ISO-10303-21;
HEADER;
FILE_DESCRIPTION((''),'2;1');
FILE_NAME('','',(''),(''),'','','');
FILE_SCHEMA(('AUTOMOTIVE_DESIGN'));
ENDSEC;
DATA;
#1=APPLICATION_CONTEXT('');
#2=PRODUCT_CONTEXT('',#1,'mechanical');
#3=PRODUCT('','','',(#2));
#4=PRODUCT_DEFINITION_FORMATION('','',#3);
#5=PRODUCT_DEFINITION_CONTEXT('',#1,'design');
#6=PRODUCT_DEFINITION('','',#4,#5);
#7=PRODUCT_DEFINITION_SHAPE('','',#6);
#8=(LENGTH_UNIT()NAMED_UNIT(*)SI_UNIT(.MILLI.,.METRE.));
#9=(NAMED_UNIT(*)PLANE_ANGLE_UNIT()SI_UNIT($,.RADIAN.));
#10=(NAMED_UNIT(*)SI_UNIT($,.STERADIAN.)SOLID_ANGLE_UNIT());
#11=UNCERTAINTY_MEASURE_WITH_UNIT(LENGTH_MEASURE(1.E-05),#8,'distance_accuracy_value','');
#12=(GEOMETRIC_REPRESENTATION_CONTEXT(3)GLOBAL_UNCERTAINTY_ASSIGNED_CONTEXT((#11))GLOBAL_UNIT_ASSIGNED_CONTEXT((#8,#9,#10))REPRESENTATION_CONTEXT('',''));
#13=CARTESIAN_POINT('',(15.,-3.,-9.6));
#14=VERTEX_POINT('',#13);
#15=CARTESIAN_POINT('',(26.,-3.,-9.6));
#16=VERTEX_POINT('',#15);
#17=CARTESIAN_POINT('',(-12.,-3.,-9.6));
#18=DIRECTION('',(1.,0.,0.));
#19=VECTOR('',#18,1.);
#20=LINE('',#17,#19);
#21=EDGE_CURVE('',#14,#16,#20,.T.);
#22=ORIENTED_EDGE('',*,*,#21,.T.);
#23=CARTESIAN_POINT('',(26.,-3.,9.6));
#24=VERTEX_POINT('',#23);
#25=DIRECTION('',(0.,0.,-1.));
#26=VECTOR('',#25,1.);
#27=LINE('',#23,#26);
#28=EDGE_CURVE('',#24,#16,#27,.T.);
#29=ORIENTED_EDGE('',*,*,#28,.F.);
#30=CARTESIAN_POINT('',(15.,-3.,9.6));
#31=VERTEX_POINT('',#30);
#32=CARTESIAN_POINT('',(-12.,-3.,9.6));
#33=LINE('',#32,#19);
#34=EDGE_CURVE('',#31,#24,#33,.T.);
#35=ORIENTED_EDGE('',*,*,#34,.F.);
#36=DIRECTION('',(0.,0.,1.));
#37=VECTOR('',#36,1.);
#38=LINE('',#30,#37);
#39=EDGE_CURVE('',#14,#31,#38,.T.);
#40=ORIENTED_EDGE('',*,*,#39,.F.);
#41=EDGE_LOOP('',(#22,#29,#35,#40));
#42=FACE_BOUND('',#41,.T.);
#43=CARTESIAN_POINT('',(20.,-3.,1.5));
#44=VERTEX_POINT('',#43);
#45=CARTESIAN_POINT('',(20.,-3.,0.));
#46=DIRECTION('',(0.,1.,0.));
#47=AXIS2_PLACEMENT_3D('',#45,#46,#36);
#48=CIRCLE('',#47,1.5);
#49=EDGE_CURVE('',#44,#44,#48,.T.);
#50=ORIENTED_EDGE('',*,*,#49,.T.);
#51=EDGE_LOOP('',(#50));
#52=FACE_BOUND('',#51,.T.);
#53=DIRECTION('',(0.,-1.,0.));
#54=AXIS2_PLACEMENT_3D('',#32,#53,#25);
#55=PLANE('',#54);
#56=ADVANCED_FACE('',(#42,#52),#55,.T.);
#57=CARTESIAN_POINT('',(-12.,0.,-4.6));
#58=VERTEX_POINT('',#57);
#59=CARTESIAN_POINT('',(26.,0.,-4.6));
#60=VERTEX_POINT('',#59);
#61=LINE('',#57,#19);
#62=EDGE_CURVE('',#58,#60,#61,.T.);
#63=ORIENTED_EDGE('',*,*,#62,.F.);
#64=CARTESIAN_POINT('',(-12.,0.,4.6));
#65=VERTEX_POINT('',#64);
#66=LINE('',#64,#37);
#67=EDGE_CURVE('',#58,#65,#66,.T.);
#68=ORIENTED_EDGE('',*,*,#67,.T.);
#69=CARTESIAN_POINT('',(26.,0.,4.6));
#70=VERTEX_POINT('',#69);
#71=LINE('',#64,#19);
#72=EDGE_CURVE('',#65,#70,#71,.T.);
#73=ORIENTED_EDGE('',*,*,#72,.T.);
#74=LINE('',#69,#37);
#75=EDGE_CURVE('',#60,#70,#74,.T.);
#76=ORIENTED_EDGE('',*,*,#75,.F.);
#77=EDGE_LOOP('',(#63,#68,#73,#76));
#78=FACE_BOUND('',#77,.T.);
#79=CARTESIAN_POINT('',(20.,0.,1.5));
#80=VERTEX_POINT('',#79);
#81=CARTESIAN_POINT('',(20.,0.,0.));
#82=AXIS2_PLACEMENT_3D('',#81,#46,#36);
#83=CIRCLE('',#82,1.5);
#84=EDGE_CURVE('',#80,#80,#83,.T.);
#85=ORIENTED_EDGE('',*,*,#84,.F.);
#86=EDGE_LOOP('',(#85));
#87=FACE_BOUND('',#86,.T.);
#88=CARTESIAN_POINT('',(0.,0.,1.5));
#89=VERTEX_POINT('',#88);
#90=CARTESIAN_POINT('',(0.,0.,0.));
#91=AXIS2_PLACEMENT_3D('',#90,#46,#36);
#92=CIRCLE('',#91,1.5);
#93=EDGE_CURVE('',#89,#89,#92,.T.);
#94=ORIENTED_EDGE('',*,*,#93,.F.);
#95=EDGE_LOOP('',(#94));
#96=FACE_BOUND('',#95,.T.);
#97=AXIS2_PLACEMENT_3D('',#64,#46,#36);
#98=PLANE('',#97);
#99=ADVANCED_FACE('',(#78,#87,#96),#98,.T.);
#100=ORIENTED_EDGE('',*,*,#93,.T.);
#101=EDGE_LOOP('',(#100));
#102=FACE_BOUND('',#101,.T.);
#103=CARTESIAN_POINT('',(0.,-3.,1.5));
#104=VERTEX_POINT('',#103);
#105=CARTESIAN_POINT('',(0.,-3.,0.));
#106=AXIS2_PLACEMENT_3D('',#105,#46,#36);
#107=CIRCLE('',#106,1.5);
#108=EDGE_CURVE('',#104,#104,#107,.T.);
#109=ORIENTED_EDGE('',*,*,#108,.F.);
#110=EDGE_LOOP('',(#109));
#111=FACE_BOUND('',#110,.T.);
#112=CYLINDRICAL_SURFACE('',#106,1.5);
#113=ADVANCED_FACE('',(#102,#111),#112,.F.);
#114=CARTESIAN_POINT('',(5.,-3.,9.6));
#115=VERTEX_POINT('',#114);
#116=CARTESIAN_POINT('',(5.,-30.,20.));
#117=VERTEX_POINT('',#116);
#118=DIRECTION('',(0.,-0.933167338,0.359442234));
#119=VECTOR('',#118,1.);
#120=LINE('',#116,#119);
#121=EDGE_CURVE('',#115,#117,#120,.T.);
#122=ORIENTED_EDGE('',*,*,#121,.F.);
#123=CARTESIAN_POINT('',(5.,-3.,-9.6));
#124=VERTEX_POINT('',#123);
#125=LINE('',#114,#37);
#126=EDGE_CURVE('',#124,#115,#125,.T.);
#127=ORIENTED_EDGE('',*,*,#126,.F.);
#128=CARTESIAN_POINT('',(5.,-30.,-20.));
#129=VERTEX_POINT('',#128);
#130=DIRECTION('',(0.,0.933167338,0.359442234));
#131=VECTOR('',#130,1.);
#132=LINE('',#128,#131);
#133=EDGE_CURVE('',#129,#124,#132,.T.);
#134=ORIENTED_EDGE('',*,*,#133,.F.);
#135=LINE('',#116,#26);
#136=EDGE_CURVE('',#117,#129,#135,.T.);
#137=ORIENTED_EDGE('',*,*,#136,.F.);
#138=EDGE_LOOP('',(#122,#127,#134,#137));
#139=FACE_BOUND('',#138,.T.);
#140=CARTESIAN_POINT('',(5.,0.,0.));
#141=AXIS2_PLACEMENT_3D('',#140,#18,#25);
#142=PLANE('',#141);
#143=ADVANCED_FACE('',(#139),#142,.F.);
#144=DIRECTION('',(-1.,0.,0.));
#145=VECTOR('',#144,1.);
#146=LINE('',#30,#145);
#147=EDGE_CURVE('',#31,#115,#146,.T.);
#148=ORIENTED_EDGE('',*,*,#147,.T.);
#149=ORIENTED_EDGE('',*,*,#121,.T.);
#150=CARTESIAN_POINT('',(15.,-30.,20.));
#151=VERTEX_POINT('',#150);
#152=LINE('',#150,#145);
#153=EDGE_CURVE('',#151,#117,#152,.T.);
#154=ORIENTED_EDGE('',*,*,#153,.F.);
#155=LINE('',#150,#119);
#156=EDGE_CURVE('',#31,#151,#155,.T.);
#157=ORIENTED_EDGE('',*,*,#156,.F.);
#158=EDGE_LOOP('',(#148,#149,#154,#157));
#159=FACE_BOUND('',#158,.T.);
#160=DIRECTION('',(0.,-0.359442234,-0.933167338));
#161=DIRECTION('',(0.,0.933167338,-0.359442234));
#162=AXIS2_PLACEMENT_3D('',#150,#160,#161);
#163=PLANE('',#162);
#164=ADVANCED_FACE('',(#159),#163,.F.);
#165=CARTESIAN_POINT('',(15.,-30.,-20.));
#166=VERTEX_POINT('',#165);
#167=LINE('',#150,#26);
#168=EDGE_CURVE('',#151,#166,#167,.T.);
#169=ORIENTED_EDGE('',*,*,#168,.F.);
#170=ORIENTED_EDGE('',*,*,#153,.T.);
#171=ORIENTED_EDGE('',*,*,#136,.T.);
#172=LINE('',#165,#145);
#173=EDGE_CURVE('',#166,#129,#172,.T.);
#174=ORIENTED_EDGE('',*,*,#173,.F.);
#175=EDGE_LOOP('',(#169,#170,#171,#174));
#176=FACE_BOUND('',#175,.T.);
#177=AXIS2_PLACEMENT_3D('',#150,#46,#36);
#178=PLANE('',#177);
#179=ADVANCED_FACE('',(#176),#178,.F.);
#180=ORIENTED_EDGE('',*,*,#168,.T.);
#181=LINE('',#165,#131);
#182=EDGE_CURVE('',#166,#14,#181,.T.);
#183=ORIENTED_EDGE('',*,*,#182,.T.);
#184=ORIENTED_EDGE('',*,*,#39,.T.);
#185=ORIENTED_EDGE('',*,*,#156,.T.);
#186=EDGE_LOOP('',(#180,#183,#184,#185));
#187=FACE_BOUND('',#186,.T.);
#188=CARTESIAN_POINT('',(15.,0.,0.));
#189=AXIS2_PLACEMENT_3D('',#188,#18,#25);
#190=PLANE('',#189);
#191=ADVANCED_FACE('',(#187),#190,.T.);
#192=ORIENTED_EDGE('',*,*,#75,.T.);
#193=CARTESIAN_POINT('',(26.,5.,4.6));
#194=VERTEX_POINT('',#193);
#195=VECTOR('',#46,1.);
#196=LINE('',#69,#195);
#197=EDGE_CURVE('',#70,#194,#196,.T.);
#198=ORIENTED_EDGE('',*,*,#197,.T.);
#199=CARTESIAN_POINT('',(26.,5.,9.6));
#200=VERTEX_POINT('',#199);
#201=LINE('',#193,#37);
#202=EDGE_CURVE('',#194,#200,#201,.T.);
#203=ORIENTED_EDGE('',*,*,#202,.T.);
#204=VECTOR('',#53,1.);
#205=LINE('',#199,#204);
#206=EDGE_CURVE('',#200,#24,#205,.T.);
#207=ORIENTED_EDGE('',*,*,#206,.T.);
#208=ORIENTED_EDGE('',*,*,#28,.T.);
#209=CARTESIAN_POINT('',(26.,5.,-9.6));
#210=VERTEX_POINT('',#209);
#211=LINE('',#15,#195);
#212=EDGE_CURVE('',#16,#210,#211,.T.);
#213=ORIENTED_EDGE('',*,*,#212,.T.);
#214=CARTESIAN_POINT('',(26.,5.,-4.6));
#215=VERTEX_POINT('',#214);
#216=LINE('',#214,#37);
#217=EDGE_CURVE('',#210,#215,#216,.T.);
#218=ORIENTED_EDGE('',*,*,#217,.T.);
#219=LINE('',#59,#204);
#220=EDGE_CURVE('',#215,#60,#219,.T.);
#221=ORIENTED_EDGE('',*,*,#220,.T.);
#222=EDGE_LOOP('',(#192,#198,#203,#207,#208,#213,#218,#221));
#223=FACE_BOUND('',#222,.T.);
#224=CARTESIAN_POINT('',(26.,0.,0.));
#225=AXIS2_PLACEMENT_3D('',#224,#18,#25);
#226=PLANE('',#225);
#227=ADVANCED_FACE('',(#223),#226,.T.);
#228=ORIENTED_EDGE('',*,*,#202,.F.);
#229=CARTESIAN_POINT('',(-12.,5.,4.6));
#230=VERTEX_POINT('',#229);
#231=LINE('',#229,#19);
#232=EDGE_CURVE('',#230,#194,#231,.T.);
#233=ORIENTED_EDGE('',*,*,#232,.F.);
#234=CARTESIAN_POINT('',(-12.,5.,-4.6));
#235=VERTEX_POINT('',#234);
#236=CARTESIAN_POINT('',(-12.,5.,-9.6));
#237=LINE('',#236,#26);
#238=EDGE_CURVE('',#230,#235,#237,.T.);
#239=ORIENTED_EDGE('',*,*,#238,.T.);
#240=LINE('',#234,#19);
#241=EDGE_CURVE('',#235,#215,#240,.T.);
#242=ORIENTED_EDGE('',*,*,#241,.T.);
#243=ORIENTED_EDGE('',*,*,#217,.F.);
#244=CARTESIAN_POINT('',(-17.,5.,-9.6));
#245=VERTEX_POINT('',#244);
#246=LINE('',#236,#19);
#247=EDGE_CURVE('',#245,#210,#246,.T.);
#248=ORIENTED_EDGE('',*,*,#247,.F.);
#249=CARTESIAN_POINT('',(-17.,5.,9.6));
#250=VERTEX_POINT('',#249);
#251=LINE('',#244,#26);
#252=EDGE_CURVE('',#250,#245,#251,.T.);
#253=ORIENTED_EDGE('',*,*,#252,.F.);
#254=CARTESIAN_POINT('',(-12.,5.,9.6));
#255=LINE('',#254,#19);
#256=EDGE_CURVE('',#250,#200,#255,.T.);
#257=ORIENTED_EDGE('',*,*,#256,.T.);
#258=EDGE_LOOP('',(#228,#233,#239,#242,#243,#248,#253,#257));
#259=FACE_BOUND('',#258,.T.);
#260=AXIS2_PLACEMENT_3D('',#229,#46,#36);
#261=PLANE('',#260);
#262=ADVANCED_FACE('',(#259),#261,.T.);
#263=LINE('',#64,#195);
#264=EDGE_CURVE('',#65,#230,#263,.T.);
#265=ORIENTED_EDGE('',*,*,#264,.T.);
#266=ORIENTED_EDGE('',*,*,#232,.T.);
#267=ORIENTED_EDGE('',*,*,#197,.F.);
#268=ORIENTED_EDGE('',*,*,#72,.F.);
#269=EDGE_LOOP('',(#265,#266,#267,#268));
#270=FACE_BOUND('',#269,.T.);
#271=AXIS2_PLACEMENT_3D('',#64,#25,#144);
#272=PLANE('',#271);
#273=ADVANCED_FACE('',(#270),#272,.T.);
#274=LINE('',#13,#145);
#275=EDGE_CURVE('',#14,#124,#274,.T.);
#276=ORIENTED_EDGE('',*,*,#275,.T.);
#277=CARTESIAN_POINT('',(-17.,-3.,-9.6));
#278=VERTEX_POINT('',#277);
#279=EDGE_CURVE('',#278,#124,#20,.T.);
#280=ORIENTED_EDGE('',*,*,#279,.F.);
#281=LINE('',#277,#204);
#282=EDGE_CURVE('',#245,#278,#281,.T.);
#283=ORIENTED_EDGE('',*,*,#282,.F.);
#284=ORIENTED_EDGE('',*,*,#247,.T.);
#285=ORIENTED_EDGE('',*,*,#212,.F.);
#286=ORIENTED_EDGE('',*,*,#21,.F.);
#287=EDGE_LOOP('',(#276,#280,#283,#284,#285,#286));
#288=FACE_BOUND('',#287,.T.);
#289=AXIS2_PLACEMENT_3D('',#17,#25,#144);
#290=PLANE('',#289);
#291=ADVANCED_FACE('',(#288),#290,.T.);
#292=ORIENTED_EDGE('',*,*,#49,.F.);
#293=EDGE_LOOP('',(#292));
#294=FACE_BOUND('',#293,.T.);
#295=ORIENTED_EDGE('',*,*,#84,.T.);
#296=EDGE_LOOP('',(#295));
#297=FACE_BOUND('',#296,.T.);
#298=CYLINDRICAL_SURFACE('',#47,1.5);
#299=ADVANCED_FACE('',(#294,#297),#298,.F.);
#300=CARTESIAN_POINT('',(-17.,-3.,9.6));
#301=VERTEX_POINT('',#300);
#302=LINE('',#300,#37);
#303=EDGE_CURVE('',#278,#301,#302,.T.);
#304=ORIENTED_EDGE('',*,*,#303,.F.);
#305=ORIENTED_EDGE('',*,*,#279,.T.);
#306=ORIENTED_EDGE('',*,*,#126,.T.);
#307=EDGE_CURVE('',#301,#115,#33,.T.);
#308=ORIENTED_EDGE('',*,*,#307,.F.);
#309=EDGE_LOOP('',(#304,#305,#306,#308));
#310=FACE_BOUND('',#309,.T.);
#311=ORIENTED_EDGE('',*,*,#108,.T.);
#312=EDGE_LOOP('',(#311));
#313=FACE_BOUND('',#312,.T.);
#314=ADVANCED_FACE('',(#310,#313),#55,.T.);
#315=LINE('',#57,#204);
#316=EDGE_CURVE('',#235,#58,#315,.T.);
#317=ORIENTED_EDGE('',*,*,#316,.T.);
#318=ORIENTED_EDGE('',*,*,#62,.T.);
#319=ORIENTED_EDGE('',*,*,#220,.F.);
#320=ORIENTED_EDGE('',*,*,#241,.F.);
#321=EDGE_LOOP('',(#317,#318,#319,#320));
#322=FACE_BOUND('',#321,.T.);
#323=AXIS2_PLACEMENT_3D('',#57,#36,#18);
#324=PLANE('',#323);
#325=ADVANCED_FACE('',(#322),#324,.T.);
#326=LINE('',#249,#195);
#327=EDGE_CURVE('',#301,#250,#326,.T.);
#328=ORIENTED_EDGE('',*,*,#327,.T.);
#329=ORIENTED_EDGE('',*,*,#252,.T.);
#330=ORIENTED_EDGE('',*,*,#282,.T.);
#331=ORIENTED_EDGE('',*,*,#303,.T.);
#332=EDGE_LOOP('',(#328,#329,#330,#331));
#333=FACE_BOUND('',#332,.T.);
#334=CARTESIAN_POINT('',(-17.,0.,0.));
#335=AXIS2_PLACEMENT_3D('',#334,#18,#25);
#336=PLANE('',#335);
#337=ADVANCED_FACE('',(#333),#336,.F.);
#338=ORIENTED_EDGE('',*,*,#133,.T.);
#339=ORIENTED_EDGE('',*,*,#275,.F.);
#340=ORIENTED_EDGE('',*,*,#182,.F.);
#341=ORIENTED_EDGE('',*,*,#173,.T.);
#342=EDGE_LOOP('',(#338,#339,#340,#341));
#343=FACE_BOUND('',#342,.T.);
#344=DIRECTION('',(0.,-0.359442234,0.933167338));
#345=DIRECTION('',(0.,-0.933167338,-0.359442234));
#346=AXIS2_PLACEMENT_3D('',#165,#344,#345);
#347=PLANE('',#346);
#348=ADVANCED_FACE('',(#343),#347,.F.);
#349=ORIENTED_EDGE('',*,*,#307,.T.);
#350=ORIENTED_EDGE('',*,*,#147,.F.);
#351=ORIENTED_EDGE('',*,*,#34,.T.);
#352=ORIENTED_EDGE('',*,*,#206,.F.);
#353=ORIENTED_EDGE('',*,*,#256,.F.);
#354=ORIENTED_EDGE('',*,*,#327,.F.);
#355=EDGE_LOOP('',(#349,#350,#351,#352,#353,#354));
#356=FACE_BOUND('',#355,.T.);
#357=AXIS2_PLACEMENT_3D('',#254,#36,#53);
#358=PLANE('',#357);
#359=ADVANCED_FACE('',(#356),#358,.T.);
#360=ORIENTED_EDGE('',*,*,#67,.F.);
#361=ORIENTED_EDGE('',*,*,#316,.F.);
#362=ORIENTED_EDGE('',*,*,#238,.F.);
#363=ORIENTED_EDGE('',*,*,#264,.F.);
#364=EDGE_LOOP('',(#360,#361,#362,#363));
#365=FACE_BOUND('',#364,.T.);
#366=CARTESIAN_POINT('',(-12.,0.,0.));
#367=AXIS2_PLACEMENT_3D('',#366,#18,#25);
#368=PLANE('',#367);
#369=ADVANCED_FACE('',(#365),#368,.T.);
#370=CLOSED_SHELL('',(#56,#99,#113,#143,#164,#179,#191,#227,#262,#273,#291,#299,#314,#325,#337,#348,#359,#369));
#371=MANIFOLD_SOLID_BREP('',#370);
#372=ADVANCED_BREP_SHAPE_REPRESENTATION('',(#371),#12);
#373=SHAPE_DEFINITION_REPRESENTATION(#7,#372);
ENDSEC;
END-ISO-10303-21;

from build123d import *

# Parameters (mm, degrees)
BOSS_EXTRUDE1_DEPTH      = 26
BOSS_EXTRUDE1_DEPTH_BACK = 12
CUT_EXTRUDE1_DEPTH       = 29.163096421
CUT_EXTRUDE1_DEPTH_BACK  = 29.163096421
SKETCH4_R                = 1.5
BOSS_EXTRUDE2_DEPTH      = 5
SKETCH7_W                = 19.2
SKETCH7_H                = 8
BOSS_EXTRUDE3_DEPTH      = 5


with BuildPart() as part:
    # Sketch3 → Boss-Extrude1 (new, two sides: drawn at the far end of the back side and taken through both)
    with BuildSketch(Plane(origin=(0, 0, 0), x_dir=(0, 0, -1), z_dir=(1, 0, 0)).offset(-BOSS_EXTRUDE1_DEPTH_BACK)):
        Polygon((-4.6, 0), (-4.6, 5), (-9.6, 5), (-9.6, -3), (9.6, -3), (9.6, 5), (4.6, 5), (4.6, 0), align=None)
    extrude(amount=BOSS_EXTRUDE1_DEPTH + BOSS_EXTRUDE1_DEPTH_BACK)

    # Sketch4 → Cut-Extrude1 (cut, two sides: drawn at the far end of the back side and taken through both)
    with BuildSketch(Plane(origin=(0, 0, 0), x_dir=(1, 0, 0), z_dir=(0, 1, 0)).offset(-CUT_EXTRUDE1_DEPTH_BACK)):
        with Locations(Location((0, 0, 0), (0, 0, 270))):
            Circle(SKETCH4_R)
        with Locations(Location((20, 0, 0), (0, 0, 270))):
            Circle(SKETCH4_R)
    extrude(amount=CUT_EXTRUDE1_DEPTH + CUT_EXTRUDE1_DEPTH_BACK, mode=Mode.SUBTRACT)

    # Sketch6 → Boss-Extrude2 (add, symmetric)
    with BuildSketch(Plane(origin=(10, 0, 0), x_dir=(0, 0, -1), z_dir=(1, 0, 0))):
        Polygon((-20, -30), (-9.6, -3), (9.6, -3), (20, -30), align=None)
    extrude(amount=BOSS_EXTRUDE2_DEPTH, both=True)

    # Sketch7 → Boss-Extrude3 (add)
    with BuildSketch(Plane.ZY.offset(12)):
        with Locations((0, 1)):
            Rectangle(SKETCH7_W, SKETCH7_H)
    extrude(amount=BOSS_EXTRUDE3_DEPTH)


solid = part.part
